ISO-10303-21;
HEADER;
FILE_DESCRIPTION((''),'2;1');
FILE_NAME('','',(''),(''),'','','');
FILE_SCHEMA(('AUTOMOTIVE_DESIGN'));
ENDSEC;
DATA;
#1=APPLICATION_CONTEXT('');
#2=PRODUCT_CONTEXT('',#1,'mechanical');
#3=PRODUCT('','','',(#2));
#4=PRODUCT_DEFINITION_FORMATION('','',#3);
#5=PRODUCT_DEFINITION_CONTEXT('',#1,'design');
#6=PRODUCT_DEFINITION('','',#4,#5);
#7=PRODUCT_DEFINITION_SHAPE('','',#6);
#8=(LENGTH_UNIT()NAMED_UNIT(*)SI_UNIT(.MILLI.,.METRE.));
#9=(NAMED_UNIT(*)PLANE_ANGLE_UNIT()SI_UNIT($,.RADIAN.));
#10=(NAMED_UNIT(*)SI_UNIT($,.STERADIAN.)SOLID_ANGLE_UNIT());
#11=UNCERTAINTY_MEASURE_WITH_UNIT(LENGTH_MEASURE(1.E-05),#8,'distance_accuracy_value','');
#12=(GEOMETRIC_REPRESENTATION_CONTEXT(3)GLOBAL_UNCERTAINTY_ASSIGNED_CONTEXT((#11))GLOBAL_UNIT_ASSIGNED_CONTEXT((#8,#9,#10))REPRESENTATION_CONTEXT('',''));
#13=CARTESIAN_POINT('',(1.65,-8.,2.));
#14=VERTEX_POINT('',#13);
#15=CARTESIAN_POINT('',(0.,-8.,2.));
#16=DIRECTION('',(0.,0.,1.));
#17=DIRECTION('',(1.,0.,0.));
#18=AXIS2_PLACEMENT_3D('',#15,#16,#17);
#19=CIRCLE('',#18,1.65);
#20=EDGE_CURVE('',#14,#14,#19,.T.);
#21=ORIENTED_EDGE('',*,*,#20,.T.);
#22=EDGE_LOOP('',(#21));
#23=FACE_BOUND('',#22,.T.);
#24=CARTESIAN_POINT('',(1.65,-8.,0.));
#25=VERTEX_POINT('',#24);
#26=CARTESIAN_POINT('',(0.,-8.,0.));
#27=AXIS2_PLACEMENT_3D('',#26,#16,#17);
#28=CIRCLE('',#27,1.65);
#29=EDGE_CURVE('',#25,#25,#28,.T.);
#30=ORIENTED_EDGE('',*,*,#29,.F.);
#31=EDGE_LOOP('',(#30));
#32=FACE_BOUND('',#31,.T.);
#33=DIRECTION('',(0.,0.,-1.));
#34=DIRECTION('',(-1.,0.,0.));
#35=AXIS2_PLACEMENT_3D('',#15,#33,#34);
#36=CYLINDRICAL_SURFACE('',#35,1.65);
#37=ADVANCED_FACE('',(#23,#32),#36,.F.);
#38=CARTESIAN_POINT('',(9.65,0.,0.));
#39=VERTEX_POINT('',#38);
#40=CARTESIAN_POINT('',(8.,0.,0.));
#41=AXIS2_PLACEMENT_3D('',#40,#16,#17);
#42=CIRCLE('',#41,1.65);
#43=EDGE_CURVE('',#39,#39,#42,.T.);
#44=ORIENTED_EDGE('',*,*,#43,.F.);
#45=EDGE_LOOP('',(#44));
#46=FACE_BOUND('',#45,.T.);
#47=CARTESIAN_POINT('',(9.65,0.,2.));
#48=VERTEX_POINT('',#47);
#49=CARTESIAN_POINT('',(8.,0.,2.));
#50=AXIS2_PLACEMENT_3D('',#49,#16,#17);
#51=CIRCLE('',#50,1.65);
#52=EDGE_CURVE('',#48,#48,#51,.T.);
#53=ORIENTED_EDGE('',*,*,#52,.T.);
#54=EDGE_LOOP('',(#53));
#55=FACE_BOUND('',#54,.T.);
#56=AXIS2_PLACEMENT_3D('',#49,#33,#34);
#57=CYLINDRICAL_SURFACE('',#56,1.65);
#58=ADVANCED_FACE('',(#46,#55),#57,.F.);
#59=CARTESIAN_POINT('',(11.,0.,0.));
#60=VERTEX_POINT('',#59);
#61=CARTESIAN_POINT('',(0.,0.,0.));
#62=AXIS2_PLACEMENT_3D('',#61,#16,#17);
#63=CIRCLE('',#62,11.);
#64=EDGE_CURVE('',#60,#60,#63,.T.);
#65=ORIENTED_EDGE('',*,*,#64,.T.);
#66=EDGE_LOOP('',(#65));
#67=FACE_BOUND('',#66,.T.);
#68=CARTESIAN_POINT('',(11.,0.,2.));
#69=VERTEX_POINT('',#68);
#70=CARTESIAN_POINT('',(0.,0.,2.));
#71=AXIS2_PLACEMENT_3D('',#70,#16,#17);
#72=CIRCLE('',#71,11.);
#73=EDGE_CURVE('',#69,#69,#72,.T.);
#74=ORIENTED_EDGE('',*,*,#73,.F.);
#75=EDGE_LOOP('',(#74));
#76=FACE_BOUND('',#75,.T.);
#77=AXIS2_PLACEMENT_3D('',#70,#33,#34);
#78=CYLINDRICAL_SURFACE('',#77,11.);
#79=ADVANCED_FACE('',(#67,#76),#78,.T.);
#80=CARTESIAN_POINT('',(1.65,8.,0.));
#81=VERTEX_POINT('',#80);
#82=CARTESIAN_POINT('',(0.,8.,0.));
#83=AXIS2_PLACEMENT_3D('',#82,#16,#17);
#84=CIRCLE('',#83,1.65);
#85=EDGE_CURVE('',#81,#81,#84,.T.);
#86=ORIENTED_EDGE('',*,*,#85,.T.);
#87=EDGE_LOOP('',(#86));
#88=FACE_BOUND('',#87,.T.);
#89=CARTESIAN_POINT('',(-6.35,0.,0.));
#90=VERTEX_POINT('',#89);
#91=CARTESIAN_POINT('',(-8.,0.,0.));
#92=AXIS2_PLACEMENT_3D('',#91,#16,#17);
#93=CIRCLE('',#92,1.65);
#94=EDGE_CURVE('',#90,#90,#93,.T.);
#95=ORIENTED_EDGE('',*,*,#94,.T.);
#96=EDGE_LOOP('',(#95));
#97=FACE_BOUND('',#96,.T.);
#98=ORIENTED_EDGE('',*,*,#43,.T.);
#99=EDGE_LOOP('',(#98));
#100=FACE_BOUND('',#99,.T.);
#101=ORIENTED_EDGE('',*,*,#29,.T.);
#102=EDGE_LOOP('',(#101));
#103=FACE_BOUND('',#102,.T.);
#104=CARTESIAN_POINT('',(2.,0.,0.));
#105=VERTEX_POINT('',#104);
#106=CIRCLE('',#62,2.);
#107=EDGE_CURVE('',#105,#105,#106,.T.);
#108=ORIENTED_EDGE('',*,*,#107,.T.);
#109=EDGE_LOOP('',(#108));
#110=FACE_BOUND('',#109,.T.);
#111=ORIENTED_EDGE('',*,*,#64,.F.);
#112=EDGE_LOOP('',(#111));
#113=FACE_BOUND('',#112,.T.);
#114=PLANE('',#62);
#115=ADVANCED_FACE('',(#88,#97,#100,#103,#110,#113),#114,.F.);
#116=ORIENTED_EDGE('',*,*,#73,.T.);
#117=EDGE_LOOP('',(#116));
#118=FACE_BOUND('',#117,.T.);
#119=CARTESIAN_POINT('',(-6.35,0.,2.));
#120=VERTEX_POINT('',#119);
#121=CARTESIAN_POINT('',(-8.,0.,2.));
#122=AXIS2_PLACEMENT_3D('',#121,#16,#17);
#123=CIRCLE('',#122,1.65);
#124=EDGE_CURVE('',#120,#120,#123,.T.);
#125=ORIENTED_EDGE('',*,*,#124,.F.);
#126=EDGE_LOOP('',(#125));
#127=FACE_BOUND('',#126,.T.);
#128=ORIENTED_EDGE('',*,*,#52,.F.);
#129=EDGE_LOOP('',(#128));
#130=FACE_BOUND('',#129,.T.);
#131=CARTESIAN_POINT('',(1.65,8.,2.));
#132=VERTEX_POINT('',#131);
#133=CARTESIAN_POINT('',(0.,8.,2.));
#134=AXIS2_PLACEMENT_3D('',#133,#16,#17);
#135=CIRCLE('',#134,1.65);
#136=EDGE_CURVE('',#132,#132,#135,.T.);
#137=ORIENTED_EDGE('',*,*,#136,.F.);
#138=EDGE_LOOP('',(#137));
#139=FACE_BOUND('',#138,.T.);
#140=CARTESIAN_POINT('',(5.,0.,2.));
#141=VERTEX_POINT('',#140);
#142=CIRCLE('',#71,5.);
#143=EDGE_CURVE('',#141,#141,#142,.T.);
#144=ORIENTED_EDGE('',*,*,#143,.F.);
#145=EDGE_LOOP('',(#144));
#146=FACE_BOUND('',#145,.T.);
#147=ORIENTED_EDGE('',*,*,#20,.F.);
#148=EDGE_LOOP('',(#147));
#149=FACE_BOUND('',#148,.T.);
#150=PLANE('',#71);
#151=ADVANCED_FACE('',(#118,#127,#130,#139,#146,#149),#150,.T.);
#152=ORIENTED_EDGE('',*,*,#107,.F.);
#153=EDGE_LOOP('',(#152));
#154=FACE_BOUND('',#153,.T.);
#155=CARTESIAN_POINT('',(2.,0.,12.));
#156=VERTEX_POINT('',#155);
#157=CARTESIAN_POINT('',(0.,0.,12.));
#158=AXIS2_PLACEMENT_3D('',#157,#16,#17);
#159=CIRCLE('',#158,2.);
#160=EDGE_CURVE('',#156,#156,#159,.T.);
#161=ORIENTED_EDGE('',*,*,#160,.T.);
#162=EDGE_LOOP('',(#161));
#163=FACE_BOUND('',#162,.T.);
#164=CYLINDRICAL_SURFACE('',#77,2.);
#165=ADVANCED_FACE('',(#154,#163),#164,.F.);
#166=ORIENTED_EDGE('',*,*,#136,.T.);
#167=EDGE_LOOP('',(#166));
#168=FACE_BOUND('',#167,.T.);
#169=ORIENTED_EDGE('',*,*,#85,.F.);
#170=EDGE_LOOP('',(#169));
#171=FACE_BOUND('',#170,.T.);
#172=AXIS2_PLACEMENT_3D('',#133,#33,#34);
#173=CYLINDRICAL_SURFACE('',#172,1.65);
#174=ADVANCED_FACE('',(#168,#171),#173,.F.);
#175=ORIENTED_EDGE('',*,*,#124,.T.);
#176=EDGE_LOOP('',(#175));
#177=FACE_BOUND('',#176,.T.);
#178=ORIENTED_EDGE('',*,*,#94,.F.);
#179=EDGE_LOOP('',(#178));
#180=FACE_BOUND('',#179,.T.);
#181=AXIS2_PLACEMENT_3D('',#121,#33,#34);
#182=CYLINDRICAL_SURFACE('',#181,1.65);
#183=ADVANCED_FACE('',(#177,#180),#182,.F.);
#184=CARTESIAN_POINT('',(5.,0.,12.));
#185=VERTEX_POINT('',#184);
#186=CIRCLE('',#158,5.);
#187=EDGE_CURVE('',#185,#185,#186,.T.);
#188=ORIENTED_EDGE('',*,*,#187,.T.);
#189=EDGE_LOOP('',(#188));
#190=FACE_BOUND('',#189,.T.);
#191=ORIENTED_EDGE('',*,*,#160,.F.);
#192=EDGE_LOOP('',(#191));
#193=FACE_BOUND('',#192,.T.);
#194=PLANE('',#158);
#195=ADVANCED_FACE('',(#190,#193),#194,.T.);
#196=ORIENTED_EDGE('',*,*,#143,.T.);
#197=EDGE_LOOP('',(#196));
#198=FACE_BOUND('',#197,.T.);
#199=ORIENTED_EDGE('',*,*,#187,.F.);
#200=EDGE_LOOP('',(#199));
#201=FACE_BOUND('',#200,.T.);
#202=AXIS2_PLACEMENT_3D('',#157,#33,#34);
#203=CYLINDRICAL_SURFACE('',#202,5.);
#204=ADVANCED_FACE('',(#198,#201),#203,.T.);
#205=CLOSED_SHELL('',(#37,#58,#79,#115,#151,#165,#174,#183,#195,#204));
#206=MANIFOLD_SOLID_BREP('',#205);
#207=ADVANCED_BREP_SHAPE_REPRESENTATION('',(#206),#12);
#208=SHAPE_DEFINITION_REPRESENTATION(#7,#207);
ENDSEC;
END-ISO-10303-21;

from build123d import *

# Parameters (mm, degrees)
SKETCH_1_R      = 11
SKETCH_1_R_2    = 2
SKETCH_1_R_3    = 1.65
EXTRUDE_1_DEPTH = 2
SKETCH_2_R      = 5
SKETCH_2_R_2    = 2
EXTRUDE_2_DEPTH = 10


with BuildPart() as part:
    # 草图1 → 凸台-拉伸1 (new body)
    with BuildSketch(Plane.XY):
        Circle(SKETCH_1_R)
        Circle(SKETCH_1_R_2, mode=Mode.SUBTRACT)
        with Locations((-8, 0)):
            Circle(SKETCH_1_R_3, mode=Mode.SUBTRACT)
        with Locations((0, 8)):
            Circle(SKETCH_1_R_3, mode=Mode.SUBTRACT)
        with Locations((8, 0)):
            Circle(SKETCH_1_R_3, mode=Mode.SUBTRACT)
        with Locations((0, -8)):
            Circle(SKETCH_1_R_3, mode=Mode.SUBTRACT)
    extrude(amount=EXTRUDE_1_DEPTH)

    # 草图2 → 凸台-拉伸2 (add)
    with BuildSketch(Plane.XY.offset(2)):
        Circle(SKETCH_2_R)
        Circle(SKETCH_2_R_2, mode=Mode.SUBTRACT)
    extrude(amount=EXTRUDE_2_DEPTH)


solid = part.part
